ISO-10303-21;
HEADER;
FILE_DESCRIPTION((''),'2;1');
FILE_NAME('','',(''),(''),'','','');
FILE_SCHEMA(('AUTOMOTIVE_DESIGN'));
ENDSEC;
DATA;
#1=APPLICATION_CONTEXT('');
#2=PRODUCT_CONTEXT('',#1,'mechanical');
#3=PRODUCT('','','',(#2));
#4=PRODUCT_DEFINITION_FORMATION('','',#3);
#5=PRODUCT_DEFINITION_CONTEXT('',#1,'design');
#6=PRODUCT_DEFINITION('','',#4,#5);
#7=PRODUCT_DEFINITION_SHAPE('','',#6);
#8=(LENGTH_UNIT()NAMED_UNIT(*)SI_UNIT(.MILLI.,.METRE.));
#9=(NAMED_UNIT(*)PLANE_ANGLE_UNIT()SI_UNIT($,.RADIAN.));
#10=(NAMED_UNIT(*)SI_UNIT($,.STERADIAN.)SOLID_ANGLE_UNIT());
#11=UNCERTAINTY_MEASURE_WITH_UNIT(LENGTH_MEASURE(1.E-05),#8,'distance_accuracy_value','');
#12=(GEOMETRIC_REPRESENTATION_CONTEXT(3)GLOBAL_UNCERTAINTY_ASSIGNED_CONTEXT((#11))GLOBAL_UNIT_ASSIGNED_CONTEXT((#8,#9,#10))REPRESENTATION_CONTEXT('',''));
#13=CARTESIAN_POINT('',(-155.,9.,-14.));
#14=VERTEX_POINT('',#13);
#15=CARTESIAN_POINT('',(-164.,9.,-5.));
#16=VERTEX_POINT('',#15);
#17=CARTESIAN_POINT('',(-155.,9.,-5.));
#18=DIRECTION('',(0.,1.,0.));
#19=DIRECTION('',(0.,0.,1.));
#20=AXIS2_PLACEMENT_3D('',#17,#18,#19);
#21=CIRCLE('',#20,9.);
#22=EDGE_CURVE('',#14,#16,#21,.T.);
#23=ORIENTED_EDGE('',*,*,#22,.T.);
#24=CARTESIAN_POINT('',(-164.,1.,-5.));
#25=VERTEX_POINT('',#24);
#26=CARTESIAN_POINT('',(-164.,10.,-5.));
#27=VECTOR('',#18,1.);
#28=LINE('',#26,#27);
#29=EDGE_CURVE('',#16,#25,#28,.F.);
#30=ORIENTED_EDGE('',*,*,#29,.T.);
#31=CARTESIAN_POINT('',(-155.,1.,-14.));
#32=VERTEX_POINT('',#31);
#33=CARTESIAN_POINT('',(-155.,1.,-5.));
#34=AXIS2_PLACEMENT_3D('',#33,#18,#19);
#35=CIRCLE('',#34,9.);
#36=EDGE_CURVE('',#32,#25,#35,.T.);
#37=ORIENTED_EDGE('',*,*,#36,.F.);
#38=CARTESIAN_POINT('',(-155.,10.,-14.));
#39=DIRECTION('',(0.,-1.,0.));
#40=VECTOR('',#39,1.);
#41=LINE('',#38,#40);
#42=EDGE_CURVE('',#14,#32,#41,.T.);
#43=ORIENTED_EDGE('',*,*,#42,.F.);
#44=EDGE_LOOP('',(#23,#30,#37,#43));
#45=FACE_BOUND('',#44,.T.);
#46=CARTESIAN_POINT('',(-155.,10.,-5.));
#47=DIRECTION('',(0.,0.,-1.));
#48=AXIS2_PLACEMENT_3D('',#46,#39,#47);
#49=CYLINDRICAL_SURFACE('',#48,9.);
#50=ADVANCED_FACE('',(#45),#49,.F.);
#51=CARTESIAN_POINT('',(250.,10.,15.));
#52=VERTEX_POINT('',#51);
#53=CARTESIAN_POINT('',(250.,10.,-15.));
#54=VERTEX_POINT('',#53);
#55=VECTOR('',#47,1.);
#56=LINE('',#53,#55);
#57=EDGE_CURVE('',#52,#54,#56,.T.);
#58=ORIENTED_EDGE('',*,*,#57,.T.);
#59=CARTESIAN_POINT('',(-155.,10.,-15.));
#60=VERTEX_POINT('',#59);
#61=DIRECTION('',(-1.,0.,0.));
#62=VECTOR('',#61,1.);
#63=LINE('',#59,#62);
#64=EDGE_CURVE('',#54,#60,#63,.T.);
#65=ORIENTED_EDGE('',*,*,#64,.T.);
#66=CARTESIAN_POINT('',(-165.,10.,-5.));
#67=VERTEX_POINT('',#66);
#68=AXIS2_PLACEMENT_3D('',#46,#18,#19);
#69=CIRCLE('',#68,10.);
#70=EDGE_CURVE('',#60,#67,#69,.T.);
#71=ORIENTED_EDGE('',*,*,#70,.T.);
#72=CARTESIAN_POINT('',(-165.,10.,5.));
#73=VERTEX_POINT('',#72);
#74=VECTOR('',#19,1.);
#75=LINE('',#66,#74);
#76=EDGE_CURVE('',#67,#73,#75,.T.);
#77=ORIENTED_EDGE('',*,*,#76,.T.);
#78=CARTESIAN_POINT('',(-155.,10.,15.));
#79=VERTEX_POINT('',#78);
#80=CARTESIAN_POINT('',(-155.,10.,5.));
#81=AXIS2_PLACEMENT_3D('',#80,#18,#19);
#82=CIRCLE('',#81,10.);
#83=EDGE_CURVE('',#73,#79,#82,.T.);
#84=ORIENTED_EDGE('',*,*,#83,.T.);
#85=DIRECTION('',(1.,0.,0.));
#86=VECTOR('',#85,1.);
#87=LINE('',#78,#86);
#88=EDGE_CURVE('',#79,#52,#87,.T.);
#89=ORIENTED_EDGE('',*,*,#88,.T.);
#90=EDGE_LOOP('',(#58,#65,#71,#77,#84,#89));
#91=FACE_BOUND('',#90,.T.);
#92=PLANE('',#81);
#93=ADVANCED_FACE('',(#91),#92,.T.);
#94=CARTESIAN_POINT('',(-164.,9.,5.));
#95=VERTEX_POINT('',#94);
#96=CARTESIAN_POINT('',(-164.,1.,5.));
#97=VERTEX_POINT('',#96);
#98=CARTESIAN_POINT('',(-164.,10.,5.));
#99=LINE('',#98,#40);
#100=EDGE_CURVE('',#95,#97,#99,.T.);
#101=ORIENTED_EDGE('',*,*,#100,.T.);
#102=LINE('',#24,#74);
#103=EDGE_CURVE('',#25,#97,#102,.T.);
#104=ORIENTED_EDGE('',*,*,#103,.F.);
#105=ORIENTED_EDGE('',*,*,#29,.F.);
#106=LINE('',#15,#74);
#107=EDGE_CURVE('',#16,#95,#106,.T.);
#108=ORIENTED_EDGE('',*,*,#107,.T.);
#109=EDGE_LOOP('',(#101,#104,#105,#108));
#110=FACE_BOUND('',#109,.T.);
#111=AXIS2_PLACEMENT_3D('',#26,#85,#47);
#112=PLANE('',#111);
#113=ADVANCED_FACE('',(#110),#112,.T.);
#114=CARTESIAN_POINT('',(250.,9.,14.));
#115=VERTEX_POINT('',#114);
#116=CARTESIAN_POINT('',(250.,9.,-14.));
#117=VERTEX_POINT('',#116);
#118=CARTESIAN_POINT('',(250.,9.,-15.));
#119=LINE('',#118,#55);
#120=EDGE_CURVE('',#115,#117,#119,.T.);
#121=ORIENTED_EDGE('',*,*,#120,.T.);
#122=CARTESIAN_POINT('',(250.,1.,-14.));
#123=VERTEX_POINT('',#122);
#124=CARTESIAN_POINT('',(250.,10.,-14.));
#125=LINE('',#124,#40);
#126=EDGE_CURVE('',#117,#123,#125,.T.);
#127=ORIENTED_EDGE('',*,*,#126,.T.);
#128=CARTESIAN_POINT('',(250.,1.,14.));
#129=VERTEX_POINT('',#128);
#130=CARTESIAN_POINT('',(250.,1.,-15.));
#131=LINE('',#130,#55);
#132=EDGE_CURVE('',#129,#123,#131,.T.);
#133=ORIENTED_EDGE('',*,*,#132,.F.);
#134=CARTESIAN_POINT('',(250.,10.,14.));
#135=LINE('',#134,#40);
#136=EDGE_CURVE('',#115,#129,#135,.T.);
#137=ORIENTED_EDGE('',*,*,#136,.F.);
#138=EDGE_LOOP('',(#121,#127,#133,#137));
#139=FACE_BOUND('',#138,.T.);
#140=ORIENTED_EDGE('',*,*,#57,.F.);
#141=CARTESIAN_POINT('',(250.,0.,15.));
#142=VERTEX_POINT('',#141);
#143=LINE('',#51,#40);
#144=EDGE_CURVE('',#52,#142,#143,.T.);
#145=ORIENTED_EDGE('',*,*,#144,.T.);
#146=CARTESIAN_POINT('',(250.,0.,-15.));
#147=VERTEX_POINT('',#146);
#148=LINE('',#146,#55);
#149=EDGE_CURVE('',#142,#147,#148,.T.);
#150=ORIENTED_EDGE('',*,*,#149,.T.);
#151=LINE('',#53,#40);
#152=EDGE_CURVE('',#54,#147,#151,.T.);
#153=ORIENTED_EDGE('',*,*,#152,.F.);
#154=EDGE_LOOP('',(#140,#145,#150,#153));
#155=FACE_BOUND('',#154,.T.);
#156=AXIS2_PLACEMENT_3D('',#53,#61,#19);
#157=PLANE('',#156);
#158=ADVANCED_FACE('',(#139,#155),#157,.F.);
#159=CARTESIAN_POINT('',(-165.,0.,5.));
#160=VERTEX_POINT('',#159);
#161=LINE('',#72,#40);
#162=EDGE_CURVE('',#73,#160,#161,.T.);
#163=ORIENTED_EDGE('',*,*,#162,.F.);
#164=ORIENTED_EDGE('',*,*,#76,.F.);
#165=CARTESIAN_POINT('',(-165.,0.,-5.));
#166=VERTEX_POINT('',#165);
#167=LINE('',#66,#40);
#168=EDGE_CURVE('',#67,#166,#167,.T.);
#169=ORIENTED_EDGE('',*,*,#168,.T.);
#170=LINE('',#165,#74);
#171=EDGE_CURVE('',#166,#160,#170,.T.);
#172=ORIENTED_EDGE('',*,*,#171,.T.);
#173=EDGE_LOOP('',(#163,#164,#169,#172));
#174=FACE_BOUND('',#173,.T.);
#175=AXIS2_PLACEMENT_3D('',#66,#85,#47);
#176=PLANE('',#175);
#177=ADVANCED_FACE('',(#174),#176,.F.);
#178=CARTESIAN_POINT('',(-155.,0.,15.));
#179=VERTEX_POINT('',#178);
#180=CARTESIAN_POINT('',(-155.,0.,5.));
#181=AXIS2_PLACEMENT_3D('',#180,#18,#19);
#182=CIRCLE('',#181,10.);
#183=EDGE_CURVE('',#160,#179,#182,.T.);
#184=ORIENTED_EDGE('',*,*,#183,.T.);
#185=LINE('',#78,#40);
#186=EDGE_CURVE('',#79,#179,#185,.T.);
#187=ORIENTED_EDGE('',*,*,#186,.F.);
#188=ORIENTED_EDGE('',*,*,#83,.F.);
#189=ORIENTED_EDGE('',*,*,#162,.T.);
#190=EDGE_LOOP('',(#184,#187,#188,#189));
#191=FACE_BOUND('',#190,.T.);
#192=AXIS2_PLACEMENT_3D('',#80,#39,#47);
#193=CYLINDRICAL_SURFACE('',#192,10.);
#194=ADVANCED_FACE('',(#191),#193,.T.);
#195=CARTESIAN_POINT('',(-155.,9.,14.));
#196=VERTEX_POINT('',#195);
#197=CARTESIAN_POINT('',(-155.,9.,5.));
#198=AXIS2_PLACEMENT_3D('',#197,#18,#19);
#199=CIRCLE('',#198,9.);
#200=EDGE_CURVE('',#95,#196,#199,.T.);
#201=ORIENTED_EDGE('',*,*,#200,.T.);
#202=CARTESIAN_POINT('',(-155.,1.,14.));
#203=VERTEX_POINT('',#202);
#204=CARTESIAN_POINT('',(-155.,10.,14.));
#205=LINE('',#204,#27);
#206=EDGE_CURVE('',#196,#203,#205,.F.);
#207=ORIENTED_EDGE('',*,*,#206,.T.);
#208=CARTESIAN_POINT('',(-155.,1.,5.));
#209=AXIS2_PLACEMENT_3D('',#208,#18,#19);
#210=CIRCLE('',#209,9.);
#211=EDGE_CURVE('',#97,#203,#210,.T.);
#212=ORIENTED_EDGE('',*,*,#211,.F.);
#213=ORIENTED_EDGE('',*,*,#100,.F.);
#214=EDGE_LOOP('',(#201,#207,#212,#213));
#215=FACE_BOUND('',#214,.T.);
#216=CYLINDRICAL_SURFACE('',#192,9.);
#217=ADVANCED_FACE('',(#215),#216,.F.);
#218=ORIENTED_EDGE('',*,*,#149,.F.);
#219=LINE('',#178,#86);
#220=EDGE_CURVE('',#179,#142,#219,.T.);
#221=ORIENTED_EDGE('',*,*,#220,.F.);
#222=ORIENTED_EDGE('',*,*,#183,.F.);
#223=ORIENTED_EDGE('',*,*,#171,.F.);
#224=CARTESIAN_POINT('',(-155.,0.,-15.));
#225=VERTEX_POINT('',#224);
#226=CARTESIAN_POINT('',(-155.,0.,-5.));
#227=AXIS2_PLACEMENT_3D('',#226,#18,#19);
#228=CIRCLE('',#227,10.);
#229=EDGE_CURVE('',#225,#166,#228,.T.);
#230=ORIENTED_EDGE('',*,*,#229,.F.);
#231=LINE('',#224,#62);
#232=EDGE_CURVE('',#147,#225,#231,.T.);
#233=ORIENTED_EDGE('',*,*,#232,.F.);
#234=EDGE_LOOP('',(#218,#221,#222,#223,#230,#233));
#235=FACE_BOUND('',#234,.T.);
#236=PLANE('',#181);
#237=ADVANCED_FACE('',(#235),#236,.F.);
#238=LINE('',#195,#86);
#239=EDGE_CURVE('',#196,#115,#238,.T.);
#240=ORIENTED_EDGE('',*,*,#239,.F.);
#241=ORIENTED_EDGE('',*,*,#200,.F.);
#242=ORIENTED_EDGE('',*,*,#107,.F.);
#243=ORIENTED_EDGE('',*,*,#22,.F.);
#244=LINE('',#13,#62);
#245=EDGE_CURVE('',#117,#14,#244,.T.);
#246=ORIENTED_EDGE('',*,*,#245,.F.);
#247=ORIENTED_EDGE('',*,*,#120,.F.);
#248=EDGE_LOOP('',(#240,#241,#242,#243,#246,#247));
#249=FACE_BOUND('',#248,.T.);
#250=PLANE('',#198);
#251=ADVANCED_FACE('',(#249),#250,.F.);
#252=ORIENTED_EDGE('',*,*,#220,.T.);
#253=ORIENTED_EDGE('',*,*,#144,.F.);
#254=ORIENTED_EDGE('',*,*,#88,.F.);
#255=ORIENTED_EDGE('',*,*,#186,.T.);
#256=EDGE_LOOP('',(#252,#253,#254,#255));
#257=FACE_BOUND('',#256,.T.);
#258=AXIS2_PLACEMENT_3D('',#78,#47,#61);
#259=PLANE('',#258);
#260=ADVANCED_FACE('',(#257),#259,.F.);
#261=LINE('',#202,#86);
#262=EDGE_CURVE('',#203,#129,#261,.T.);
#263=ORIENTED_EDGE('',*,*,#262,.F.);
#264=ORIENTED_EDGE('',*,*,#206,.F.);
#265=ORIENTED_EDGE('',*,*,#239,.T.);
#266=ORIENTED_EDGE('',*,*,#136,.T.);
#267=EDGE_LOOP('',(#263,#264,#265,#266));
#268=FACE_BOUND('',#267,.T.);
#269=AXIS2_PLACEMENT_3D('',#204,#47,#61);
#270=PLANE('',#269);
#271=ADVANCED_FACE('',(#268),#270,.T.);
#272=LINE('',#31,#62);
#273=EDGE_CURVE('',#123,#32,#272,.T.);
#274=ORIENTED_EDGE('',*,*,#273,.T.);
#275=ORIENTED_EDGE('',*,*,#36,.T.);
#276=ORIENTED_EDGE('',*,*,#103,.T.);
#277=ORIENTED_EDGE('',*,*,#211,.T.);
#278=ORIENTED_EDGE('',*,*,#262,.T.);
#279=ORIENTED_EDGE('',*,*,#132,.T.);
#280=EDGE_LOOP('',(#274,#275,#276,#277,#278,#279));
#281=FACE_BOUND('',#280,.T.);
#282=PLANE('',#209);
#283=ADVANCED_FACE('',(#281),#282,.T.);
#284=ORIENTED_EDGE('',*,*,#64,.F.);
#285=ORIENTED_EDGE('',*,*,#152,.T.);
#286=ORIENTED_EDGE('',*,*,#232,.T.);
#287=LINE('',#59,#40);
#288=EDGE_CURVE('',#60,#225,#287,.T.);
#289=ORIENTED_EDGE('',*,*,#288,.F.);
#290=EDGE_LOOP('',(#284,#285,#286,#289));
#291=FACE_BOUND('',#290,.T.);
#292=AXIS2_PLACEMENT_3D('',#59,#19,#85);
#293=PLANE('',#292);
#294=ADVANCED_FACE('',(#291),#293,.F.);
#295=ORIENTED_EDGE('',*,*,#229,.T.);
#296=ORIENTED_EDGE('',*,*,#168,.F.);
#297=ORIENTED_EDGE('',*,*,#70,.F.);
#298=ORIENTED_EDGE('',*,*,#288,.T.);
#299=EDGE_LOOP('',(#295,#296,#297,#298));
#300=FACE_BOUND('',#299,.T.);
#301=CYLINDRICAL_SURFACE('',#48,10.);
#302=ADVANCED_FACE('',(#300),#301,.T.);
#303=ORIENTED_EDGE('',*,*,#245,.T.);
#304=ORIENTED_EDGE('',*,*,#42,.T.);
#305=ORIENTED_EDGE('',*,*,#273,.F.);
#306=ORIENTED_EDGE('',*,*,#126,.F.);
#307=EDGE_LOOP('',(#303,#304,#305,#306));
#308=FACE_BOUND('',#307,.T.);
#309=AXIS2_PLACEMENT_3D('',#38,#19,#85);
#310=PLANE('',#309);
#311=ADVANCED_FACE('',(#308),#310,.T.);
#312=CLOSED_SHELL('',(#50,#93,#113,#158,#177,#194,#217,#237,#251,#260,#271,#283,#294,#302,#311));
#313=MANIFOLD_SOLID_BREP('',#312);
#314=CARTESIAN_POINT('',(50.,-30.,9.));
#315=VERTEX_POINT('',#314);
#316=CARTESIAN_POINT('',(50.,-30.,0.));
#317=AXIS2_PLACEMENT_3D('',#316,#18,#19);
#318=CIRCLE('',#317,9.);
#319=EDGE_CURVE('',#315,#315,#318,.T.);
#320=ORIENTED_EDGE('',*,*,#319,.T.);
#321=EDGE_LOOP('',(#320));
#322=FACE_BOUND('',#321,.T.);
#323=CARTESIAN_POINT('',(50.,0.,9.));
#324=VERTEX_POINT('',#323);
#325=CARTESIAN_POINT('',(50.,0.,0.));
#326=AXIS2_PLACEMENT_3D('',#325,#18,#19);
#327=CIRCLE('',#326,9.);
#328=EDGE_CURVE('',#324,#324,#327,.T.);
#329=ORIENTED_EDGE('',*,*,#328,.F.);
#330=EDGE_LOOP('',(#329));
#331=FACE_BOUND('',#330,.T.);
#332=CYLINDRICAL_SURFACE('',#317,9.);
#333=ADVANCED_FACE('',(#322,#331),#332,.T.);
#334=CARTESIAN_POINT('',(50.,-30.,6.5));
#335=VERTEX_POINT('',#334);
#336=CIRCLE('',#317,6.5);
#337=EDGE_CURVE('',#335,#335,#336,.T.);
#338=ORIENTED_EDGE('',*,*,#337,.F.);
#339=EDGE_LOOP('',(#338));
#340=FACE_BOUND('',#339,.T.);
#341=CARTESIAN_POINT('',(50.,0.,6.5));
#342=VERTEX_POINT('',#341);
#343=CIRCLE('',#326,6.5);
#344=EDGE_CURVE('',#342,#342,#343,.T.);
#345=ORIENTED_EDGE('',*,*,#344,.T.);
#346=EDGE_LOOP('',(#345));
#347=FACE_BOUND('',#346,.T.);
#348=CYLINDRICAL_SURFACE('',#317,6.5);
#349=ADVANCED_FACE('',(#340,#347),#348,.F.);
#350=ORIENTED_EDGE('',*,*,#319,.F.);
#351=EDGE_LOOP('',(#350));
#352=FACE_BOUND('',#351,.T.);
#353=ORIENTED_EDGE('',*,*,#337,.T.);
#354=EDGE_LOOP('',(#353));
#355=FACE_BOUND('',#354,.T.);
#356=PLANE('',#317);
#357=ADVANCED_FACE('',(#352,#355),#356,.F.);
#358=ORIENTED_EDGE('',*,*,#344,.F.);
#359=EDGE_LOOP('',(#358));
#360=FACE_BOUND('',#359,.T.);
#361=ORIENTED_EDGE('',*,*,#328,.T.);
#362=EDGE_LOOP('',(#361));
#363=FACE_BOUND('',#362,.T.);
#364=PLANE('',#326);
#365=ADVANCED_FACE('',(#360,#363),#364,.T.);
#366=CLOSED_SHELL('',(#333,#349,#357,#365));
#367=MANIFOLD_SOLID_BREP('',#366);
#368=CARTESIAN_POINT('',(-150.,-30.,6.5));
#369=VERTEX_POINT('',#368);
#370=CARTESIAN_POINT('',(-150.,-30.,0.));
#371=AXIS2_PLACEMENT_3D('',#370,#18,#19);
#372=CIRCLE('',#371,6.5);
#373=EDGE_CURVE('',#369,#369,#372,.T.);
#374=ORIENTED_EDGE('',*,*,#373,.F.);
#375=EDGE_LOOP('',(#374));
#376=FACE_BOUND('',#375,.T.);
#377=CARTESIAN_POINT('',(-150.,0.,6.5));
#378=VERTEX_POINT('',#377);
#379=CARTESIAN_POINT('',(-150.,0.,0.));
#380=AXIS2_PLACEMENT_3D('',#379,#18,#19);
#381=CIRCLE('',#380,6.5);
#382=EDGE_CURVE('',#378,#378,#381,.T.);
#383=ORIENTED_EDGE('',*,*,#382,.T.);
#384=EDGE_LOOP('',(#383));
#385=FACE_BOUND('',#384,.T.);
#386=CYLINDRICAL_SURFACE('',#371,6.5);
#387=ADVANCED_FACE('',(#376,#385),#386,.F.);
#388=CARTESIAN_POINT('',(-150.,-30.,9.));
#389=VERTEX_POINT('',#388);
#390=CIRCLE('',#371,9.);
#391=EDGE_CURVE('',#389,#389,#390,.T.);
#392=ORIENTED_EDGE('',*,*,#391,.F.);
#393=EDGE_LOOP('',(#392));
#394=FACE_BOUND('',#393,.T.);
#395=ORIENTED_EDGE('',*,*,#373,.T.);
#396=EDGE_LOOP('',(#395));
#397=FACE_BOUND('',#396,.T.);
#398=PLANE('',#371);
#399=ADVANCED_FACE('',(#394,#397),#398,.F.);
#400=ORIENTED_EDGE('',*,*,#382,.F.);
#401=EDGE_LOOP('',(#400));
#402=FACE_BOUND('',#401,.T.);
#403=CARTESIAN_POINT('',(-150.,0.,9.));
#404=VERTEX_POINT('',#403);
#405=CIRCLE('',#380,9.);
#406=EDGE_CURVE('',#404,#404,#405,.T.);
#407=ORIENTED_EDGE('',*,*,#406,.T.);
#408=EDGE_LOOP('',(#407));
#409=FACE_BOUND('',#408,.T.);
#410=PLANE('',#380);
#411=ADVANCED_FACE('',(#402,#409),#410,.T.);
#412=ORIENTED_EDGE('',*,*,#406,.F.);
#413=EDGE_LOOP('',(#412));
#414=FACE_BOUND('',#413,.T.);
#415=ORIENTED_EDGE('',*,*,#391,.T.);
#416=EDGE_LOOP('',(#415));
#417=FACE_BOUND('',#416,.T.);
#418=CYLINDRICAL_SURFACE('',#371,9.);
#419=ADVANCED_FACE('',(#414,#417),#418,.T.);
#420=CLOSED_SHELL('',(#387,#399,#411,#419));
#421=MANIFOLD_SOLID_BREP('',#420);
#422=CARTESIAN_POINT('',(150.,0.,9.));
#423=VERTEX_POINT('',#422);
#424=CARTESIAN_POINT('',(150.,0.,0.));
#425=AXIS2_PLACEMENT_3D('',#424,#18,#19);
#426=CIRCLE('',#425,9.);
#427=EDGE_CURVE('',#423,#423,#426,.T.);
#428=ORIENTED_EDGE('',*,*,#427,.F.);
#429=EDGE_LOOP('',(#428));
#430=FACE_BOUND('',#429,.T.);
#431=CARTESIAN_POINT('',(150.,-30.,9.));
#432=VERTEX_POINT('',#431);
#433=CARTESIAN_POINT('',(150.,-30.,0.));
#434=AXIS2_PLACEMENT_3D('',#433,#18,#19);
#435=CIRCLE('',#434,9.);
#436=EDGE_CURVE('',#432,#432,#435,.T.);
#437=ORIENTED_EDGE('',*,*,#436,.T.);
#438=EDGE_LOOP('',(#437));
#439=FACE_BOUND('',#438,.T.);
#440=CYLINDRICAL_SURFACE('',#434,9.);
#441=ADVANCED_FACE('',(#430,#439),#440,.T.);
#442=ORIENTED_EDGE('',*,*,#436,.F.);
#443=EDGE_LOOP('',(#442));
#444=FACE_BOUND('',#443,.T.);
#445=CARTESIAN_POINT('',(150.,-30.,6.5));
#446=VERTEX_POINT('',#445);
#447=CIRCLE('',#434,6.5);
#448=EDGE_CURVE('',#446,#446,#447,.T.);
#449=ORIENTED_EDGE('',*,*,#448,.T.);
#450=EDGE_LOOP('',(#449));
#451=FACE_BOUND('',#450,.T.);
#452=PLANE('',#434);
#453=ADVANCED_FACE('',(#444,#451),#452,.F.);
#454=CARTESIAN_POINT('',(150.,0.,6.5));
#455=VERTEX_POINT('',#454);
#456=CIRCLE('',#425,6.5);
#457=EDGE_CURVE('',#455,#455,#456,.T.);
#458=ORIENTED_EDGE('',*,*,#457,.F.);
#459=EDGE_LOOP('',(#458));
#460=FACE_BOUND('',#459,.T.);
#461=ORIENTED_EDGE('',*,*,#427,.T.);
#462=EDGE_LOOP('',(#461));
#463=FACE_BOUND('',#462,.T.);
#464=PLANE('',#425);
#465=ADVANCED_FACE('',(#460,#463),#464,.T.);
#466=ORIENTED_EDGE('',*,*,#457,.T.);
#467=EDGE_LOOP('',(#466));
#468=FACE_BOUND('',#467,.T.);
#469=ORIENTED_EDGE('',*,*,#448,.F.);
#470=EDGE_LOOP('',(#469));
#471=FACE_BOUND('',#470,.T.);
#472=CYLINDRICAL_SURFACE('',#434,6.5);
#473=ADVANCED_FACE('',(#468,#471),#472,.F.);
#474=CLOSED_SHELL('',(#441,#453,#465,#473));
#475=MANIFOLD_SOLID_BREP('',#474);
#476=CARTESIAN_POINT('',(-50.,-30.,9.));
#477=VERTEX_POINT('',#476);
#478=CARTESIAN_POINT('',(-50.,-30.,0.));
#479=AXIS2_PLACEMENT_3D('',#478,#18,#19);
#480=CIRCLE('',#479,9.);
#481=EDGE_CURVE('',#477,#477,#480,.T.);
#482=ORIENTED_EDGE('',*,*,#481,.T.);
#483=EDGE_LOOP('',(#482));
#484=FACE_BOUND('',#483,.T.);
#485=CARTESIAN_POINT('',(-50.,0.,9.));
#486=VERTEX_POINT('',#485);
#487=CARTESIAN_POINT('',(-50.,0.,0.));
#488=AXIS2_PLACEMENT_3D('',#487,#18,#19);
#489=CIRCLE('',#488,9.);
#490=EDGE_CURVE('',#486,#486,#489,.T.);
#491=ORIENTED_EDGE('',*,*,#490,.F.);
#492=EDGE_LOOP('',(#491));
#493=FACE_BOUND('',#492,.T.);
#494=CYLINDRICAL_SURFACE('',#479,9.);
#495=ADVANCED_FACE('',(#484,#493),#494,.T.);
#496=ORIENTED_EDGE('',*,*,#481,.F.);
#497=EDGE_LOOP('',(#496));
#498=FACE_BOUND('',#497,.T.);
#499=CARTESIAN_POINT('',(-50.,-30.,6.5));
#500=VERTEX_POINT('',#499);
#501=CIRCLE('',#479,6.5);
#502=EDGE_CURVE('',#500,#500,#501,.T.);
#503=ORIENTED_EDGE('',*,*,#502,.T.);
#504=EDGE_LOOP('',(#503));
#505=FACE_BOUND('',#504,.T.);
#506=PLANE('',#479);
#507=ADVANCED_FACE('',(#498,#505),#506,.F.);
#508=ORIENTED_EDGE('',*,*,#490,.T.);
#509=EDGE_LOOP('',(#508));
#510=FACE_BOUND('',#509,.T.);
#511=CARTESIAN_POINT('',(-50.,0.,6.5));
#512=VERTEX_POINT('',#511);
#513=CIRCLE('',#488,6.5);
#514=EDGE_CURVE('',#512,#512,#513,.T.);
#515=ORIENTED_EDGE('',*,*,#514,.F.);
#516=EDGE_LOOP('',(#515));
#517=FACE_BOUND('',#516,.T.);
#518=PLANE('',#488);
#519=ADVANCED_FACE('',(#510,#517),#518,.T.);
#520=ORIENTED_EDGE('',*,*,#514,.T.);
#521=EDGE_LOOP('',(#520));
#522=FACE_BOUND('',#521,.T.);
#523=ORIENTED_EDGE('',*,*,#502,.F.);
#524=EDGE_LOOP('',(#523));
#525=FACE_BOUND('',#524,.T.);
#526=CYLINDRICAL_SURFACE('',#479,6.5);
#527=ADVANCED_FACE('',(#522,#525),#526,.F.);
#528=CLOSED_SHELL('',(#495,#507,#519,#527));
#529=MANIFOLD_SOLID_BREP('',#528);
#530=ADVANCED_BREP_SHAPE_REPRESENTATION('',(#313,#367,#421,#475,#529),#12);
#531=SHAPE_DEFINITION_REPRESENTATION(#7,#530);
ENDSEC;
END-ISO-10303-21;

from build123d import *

# Parameters (mm, degrees)
SKETCH1_R             = 9
SKETCH1_R_2           = 6.5
BOSS_EXTRUDE1_DEPTH   = 30
BOSS_EXTRUDE1_2_DEPTH = 30
BOSS_EXTRUDE1_3_DEPTH = 30
BOSS_EXTRUDE1_4_DEPTH = 30
BOSS_EXTRUDE2_DEPTH   = 10
SHELL3_T              = -1


with BuildPart() as part:
    # Sketch1 → Boss-Extrude1 (new body)
    with BuildSketch(Plane(origin=(0, 0, 0), x_dir=(1, 0, 0), z_dir=(0, 1, 0))):
        with Locations(Location((-150, 0, 0), (0, 0, 270))):
            Circle(SKETCH1_R)
        with Locations(Location((-150, 0, 0), (0, 0, 270))):
            Circle(SKETCH1_R_2, mode=Mode.SUBTRACT)
    extrude(amount=-BOSS_EXTRUDE1_DEPTH)


with BuildPart() as body_2:
    # Sketch1 → Boss-Extrude1 2 (new body)
    with BuildSketch(Plane(origin=(0, 0, 0), x_dir=(1, 0, 0), z_dir=(0, 1, 0))):
        with Locations(Location((-50, 0, 0), (0, 0, 270))):
            Circle(SKETCH1_R)
        with Locations(Location((-50, 0, 0), (0, 0, 270))):
            Circle(SKETCH1_R_2, mode=Mode.SUBTRACT)
    extrude(amount=-BOSS_EXTRUDE1_2_DEPTH)


with BuildPart() as body_3:
    # Sketch1 → Boss-Extrude1 3 (new body)
    with BuildSketch(Plane(origin=(0, 0, 0), x_dir=(1, 0, 0), z_dir=(0, 1, 0))):
        with Locations(Location((50, 0, 0), (0, 0, 270))):
            Circle(SKETCH1_R)
        with Locations(Location((50, 0, 0), (0, 0, 270))):
            Circle(SKETCH1_R_2, mode=Mode.SUBTRACT)
    extrude(amount=-BOSS_EXTRUDE1_3_DEPTH)


with BuildPart() as body_4:
    # Sketch1 → Boss-Extrude1 4 (new body)
    with BuildSketch(Plane(origin=(0, 0, 0), x_dir=(1, 0, 0), z_dir=(0, 1, 0))):
        with Locations(Location((150, 0, 0), (0, 0, 270))):
            Circle(SKETCH1_R)
        with Locations(Location((150, 0, 0), (0, 0, 270))):
            Circle(SKETCH1_R_2, mode=Mode.SUBTRACT)
    extrude(amount=-BOSS_EXTRUDE1_4_DEPTH)


with BuildPart() as body_5:
    # Sketch2 → Boss-Extrude2 (new body)
    with BuildSketch(Plane(origin=(0, 0, 0), x_dir=(1, 0, 0), z_dir=(0, 1, 0))):
        with BuildLine():
            Line((-155, 15), (250, 15))
            Line((250, 15), (250, -15))
            Line((250, -15), (-155, -15))
            ThreePointArc((-155, -15), (-162.071067812, -12.071067812), (-165, -5))
            Line((-165, -5), (-165, 5))
            ThreePointArc((-165, 5), (-162.071067812, 12.071067812), (-155, 15))
        make_face()
    extrude(amount=BOSS_EXTRUDE2_DEPTH)

    # Shell3
    shell3_openings = [body_5.faces().sort_by_distance(p)[0] for p in [
        (250, 5, 0),
    ]]
    offset(amount=SHELL3_T, openings=shell3_openings, kind=Kind.INTERSECTION)


solid = Compound([part.part, body_2.part, body_3.part, body_4.part, body_5.part])
